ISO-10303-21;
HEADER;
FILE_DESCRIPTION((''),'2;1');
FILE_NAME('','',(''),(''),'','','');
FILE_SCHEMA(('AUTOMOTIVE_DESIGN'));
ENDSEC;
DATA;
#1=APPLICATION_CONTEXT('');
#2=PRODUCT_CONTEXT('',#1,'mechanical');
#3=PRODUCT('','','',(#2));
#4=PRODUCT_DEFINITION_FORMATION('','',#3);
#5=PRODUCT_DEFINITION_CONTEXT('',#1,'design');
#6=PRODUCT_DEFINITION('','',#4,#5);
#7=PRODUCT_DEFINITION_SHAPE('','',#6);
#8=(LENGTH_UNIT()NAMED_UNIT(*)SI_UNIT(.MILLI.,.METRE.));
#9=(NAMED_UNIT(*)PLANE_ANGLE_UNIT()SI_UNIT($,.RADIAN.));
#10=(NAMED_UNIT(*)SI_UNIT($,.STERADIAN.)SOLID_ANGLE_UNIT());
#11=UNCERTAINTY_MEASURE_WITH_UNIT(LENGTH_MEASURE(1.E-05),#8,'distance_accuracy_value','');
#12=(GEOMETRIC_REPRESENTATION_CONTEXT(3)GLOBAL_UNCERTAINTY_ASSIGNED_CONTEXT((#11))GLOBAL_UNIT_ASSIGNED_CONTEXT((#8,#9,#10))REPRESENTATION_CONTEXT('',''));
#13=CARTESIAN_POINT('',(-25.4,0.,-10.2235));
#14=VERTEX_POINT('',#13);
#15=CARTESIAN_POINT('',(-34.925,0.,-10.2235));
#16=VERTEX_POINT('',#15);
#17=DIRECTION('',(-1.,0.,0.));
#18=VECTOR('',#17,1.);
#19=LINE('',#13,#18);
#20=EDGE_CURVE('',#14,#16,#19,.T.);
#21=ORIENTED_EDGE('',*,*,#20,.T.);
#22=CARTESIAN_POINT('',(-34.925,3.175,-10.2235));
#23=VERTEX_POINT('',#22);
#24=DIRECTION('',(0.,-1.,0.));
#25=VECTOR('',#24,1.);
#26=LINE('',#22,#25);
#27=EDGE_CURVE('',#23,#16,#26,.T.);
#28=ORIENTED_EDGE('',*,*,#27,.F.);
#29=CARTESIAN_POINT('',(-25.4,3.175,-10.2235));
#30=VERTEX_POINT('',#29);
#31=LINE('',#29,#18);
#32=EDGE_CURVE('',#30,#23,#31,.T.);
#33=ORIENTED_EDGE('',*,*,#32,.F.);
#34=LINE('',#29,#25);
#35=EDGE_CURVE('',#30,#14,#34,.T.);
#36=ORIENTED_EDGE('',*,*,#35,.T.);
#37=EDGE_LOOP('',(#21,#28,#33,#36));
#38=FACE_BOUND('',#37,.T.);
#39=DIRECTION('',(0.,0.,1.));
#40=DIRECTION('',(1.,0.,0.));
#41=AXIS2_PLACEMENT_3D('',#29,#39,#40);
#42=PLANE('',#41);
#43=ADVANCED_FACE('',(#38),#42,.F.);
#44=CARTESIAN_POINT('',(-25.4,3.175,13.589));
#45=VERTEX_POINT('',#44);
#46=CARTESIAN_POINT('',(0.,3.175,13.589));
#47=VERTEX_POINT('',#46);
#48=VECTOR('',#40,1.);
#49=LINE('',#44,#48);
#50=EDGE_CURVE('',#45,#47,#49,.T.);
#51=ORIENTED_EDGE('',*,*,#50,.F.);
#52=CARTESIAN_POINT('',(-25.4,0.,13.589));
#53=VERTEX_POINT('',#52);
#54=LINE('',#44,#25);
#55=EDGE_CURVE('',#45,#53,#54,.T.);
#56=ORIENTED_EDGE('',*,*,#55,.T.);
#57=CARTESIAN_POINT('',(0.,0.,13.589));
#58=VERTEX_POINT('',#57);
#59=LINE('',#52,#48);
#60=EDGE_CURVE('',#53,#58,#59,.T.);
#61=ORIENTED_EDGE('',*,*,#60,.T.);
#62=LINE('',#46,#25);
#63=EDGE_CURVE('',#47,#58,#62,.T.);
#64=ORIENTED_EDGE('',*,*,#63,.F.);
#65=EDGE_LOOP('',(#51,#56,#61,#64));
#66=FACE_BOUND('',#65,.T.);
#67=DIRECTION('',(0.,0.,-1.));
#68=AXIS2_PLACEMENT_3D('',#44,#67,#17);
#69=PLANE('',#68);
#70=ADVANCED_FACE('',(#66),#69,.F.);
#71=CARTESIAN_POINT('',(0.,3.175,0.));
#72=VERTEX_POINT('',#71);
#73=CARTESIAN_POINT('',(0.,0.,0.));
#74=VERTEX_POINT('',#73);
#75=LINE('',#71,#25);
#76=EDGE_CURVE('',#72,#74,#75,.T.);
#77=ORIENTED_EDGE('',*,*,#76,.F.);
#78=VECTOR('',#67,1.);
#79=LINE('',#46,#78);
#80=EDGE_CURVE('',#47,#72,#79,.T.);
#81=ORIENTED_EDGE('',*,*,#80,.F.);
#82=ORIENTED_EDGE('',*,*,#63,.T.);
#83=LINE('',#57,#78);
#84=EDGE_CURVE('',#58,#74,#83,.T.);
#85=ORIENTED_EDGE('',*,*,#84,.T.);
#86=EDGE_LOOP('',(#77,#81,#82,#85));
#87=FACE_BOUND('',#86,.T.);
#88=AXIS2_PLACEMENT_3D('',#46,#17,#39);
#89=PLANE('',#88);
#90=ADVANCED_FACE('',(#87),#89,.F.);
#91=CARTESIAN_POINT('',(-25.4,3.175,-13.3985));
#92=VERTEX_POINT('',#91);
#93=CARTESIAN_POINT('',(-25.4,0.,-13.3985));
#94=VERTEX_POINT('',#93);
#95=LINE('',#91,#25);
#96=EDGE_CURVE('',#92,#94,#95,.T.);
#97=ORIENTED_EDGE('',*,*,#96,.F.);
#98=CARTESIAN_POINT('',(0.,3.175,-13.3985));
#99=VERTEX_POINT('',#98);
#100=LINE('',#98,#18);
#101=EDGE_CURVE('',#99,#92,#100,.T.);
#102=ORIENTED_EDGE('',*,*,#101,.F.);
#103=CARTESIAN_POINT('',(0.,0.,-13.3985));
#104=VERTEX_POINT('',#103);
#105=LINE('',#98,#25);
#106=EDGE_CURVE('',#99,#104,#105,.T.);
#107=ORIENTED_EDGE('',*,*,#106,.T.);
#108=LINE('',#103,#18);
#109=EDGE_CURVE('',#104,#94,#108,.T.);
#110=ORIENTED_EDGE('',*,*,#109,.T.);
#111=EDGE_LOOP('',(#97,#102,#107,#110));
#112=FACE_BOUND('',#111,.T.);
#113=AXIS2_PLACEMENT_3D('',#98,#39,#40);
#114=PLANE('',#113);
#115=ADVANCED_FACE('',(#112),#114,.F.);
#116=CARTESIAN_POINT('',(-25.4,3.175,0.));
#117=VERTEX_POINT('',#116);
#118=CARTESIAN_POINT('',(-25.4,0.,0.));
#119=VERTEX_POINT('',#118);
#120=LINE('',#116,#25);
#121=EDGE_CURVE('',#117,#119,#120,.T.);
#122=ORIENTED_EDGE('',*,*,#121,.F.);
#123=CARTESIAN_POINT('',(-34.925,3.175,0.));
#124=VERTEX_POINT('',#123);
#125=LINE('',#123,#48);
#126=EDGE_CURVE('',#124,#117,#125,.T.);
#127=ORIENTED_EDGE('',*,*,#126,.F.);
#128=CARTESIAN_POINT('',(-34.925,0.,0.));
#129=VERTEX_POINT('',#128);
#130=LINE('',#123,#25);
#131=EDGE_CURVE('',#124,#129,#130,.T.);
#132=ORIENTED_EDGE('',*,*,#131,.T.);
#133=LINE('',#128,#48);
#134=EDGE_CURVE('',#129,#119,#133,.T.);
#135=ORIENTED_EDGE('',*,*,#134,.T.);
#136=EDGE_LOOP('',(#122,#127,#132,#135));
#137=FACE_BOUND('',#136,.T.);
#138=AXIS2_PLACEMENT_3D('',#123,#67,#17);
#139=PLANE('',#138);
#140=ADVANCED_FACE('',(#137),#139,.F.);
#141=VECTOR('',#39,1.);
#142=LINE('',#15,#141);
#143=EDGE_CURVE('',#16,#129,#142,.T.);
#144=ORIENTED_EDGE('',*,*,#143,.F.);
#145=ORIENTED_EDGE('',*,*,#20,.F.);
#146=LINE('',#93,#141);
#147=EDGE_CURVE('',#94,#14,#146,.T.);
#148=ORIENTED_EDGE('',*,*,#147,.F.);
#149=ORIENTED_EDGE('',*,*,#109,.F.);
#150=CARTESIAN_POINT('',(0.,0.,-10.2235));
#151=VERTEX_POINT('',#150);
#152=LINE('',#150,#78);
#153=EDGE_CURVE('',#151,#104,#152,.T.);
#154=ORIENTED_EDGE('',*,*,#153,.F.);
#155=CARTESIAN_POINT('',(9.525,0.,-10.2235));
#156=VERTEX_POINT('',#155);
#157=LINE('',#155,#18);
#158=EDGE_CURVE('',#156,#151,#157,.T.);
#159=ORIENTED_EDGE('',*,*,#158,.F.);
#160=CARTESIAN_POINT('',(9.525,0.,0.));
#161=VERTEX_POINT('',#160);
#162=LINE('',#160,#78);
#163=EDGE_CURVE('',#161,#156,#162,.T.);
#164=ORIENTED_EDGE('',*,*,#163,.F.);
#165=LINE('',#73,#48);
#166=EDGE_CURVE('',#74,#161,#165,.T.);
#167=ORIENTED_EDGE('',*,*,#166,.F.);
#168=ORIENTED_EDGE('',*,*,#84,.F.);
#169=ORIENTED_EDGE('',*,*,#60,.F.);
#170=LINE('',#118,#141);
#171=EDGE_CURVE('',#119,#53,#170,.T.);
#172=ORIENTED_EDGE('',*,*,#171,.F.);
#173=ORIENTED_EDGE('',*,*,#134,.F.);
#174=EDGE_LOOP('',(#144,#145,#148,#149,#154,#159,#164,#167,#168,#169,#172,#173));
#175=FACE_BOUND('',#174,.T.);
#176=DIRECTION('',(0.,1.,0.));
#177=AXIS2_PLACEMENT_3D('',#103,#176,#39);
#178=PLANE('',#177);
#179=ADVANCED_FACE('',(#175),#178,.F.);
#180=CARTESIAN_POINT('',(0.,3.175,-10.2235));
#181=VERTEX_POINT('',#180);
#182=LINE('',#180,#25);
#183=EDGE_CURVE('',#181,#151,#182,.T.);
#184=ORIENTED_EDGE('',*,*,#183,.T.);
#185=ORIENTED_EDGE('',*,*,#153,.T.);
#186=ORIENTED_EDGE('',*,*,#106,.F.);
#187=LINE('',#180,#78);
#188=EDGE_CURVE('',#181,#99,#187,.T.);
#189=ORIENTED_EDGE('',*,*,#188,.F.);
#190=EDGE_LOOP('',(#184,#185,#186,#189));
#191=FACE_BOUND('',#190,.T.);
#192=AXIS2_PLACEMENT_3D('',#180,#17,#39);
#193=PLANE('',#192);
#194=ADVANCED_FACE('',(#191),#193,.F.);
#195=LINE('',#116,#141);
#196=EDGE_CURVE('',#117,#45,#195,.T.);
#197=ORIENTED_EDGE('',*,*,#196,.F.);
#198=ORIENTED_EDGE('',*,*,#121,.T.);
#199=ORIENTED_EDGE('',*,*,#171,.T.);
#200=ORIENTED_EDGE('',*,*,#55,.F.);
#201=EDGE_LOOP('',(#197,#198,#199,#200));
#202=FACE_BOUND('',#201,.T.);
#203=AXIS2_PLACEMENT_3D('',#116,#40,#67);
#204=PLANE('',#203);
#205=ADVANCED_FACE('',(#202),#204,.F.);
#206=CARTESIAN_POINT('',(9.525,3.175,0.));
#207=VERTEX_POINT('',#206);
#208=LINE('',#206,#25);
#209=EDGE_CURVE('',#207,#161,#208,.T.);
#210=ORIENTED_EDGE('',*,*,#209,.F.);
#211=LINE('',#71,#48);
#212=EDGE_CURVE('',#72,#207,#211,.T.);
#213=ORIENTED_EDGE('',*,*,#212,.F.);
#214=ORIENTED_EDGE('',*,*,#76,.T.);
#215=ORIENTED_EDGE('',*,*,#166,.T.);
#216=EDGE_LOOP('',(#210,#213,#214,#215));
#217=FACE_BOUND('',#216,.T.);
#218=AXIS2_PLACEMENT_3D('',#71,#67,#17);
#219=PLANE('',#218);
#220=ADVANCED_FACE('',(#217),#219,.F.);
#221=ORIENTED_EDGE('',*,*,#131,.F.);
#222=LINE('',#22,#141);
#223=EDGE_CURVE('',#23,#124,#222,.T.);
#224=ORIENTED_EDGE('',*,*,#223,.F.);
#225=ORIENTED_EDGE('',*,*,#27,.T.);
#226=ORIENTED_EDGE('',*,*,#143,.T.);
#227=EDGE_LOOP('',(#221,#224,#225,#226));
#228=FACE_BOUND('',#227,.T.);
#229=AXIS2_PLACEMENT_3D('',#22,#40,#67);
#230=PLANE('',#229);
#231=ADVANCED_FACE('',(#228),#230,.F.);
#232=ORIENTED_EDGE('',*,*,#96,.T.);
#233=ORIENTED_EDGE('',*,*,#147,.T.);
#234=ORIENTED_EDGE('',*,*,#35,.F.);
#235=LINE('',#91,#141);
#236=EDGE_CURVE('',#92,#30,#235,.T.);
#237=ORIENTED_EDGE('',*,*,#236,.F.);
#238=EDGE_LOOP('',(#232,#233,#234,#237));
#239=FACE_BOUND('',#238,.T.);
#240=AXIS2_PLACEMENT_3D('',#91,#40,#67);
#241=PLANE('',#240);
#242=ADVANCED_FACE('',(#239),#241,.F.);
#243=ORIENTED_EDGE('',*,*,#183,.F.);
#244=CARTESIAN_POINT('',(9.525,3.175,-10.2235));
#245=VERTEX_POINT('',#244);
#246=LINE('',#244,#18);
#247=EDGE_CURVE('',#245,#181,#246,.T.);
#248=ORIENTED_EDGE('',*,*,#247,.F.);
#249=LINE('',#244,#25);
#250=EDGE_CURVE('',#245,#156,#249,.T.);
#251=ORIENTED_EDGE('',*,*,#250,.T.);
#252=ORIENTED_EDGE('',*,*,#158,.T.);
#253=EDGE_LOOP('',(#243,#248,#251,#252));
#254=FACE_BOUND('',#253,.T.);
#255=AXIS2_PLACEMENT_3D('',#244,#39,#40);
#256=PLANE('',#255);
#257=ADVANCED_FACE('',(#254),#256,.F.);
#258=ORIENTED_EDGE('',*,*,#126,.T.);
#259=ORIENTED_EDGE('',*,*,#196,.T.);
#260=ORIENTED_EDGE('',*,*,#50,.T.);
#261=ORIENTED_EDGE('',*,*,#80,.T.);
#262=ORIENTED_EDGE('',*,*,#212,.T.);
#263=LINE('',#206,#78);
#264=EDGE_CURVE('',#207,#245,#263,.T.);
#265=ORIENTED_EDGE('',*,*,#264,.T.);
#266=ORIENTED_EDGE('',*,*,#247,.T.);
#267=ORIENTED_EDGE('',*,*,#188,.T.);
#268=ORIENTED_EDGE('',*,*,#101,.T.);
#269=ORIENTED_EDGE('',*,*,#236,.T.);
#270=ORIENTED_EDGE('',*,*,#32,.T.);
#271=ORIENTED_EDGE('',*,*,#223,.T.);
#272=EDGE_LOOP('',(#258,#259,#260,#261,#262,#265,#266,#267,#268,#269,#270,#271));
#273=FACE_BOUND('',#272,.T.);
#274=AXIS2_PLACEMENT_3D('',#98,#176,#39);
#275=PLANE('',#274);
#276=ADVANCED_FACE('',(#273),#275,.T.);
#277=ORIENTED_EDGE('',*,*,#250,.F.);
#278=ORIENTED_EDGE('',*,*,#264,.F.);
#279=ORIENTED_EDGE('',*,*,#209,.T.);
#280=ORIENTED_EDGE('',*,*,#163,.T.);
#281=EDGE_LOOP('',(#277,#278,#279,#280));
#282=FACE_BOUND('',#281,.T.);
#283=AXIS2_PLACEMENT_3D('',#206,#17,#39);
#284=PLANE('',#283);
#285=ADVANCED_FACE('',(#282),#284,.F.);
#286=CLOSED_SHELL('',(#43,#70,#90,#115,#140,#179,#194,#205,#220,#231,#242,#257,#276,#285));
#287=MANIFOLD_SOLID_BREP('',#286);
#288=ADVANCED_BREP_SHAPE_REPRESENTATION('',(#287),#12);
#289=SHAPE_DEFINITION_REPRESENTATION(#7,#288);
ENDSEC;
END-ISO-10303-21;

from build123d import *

# Parameters (mm, degrees)
BOSS_EXTRUDE1_DEPTH = 3.175


with BuildPart() as part:
    # Sketch1 → Boss-Extrude1 (new body)
    with BuildSketch(Plane(origin=(0, 0, 0), x_dir=(1, 0, 0), z_dir=(0, 1, 0))):
        Polygon((0, 13.3985), (-25.4, 13.3985), (-25.4, 10.2235), (-34.925, 10.2235), (-34.925, 0), (-25.4, 0), (-25.4, -13.589), (0, -13.589), (0, 0), (9.525, 0), (9.525, 10.2235), (0, 10.2235), align=None)
    extrude(amount=BOSS_EXTRUDE1_DEPTH)


solid = part.part
